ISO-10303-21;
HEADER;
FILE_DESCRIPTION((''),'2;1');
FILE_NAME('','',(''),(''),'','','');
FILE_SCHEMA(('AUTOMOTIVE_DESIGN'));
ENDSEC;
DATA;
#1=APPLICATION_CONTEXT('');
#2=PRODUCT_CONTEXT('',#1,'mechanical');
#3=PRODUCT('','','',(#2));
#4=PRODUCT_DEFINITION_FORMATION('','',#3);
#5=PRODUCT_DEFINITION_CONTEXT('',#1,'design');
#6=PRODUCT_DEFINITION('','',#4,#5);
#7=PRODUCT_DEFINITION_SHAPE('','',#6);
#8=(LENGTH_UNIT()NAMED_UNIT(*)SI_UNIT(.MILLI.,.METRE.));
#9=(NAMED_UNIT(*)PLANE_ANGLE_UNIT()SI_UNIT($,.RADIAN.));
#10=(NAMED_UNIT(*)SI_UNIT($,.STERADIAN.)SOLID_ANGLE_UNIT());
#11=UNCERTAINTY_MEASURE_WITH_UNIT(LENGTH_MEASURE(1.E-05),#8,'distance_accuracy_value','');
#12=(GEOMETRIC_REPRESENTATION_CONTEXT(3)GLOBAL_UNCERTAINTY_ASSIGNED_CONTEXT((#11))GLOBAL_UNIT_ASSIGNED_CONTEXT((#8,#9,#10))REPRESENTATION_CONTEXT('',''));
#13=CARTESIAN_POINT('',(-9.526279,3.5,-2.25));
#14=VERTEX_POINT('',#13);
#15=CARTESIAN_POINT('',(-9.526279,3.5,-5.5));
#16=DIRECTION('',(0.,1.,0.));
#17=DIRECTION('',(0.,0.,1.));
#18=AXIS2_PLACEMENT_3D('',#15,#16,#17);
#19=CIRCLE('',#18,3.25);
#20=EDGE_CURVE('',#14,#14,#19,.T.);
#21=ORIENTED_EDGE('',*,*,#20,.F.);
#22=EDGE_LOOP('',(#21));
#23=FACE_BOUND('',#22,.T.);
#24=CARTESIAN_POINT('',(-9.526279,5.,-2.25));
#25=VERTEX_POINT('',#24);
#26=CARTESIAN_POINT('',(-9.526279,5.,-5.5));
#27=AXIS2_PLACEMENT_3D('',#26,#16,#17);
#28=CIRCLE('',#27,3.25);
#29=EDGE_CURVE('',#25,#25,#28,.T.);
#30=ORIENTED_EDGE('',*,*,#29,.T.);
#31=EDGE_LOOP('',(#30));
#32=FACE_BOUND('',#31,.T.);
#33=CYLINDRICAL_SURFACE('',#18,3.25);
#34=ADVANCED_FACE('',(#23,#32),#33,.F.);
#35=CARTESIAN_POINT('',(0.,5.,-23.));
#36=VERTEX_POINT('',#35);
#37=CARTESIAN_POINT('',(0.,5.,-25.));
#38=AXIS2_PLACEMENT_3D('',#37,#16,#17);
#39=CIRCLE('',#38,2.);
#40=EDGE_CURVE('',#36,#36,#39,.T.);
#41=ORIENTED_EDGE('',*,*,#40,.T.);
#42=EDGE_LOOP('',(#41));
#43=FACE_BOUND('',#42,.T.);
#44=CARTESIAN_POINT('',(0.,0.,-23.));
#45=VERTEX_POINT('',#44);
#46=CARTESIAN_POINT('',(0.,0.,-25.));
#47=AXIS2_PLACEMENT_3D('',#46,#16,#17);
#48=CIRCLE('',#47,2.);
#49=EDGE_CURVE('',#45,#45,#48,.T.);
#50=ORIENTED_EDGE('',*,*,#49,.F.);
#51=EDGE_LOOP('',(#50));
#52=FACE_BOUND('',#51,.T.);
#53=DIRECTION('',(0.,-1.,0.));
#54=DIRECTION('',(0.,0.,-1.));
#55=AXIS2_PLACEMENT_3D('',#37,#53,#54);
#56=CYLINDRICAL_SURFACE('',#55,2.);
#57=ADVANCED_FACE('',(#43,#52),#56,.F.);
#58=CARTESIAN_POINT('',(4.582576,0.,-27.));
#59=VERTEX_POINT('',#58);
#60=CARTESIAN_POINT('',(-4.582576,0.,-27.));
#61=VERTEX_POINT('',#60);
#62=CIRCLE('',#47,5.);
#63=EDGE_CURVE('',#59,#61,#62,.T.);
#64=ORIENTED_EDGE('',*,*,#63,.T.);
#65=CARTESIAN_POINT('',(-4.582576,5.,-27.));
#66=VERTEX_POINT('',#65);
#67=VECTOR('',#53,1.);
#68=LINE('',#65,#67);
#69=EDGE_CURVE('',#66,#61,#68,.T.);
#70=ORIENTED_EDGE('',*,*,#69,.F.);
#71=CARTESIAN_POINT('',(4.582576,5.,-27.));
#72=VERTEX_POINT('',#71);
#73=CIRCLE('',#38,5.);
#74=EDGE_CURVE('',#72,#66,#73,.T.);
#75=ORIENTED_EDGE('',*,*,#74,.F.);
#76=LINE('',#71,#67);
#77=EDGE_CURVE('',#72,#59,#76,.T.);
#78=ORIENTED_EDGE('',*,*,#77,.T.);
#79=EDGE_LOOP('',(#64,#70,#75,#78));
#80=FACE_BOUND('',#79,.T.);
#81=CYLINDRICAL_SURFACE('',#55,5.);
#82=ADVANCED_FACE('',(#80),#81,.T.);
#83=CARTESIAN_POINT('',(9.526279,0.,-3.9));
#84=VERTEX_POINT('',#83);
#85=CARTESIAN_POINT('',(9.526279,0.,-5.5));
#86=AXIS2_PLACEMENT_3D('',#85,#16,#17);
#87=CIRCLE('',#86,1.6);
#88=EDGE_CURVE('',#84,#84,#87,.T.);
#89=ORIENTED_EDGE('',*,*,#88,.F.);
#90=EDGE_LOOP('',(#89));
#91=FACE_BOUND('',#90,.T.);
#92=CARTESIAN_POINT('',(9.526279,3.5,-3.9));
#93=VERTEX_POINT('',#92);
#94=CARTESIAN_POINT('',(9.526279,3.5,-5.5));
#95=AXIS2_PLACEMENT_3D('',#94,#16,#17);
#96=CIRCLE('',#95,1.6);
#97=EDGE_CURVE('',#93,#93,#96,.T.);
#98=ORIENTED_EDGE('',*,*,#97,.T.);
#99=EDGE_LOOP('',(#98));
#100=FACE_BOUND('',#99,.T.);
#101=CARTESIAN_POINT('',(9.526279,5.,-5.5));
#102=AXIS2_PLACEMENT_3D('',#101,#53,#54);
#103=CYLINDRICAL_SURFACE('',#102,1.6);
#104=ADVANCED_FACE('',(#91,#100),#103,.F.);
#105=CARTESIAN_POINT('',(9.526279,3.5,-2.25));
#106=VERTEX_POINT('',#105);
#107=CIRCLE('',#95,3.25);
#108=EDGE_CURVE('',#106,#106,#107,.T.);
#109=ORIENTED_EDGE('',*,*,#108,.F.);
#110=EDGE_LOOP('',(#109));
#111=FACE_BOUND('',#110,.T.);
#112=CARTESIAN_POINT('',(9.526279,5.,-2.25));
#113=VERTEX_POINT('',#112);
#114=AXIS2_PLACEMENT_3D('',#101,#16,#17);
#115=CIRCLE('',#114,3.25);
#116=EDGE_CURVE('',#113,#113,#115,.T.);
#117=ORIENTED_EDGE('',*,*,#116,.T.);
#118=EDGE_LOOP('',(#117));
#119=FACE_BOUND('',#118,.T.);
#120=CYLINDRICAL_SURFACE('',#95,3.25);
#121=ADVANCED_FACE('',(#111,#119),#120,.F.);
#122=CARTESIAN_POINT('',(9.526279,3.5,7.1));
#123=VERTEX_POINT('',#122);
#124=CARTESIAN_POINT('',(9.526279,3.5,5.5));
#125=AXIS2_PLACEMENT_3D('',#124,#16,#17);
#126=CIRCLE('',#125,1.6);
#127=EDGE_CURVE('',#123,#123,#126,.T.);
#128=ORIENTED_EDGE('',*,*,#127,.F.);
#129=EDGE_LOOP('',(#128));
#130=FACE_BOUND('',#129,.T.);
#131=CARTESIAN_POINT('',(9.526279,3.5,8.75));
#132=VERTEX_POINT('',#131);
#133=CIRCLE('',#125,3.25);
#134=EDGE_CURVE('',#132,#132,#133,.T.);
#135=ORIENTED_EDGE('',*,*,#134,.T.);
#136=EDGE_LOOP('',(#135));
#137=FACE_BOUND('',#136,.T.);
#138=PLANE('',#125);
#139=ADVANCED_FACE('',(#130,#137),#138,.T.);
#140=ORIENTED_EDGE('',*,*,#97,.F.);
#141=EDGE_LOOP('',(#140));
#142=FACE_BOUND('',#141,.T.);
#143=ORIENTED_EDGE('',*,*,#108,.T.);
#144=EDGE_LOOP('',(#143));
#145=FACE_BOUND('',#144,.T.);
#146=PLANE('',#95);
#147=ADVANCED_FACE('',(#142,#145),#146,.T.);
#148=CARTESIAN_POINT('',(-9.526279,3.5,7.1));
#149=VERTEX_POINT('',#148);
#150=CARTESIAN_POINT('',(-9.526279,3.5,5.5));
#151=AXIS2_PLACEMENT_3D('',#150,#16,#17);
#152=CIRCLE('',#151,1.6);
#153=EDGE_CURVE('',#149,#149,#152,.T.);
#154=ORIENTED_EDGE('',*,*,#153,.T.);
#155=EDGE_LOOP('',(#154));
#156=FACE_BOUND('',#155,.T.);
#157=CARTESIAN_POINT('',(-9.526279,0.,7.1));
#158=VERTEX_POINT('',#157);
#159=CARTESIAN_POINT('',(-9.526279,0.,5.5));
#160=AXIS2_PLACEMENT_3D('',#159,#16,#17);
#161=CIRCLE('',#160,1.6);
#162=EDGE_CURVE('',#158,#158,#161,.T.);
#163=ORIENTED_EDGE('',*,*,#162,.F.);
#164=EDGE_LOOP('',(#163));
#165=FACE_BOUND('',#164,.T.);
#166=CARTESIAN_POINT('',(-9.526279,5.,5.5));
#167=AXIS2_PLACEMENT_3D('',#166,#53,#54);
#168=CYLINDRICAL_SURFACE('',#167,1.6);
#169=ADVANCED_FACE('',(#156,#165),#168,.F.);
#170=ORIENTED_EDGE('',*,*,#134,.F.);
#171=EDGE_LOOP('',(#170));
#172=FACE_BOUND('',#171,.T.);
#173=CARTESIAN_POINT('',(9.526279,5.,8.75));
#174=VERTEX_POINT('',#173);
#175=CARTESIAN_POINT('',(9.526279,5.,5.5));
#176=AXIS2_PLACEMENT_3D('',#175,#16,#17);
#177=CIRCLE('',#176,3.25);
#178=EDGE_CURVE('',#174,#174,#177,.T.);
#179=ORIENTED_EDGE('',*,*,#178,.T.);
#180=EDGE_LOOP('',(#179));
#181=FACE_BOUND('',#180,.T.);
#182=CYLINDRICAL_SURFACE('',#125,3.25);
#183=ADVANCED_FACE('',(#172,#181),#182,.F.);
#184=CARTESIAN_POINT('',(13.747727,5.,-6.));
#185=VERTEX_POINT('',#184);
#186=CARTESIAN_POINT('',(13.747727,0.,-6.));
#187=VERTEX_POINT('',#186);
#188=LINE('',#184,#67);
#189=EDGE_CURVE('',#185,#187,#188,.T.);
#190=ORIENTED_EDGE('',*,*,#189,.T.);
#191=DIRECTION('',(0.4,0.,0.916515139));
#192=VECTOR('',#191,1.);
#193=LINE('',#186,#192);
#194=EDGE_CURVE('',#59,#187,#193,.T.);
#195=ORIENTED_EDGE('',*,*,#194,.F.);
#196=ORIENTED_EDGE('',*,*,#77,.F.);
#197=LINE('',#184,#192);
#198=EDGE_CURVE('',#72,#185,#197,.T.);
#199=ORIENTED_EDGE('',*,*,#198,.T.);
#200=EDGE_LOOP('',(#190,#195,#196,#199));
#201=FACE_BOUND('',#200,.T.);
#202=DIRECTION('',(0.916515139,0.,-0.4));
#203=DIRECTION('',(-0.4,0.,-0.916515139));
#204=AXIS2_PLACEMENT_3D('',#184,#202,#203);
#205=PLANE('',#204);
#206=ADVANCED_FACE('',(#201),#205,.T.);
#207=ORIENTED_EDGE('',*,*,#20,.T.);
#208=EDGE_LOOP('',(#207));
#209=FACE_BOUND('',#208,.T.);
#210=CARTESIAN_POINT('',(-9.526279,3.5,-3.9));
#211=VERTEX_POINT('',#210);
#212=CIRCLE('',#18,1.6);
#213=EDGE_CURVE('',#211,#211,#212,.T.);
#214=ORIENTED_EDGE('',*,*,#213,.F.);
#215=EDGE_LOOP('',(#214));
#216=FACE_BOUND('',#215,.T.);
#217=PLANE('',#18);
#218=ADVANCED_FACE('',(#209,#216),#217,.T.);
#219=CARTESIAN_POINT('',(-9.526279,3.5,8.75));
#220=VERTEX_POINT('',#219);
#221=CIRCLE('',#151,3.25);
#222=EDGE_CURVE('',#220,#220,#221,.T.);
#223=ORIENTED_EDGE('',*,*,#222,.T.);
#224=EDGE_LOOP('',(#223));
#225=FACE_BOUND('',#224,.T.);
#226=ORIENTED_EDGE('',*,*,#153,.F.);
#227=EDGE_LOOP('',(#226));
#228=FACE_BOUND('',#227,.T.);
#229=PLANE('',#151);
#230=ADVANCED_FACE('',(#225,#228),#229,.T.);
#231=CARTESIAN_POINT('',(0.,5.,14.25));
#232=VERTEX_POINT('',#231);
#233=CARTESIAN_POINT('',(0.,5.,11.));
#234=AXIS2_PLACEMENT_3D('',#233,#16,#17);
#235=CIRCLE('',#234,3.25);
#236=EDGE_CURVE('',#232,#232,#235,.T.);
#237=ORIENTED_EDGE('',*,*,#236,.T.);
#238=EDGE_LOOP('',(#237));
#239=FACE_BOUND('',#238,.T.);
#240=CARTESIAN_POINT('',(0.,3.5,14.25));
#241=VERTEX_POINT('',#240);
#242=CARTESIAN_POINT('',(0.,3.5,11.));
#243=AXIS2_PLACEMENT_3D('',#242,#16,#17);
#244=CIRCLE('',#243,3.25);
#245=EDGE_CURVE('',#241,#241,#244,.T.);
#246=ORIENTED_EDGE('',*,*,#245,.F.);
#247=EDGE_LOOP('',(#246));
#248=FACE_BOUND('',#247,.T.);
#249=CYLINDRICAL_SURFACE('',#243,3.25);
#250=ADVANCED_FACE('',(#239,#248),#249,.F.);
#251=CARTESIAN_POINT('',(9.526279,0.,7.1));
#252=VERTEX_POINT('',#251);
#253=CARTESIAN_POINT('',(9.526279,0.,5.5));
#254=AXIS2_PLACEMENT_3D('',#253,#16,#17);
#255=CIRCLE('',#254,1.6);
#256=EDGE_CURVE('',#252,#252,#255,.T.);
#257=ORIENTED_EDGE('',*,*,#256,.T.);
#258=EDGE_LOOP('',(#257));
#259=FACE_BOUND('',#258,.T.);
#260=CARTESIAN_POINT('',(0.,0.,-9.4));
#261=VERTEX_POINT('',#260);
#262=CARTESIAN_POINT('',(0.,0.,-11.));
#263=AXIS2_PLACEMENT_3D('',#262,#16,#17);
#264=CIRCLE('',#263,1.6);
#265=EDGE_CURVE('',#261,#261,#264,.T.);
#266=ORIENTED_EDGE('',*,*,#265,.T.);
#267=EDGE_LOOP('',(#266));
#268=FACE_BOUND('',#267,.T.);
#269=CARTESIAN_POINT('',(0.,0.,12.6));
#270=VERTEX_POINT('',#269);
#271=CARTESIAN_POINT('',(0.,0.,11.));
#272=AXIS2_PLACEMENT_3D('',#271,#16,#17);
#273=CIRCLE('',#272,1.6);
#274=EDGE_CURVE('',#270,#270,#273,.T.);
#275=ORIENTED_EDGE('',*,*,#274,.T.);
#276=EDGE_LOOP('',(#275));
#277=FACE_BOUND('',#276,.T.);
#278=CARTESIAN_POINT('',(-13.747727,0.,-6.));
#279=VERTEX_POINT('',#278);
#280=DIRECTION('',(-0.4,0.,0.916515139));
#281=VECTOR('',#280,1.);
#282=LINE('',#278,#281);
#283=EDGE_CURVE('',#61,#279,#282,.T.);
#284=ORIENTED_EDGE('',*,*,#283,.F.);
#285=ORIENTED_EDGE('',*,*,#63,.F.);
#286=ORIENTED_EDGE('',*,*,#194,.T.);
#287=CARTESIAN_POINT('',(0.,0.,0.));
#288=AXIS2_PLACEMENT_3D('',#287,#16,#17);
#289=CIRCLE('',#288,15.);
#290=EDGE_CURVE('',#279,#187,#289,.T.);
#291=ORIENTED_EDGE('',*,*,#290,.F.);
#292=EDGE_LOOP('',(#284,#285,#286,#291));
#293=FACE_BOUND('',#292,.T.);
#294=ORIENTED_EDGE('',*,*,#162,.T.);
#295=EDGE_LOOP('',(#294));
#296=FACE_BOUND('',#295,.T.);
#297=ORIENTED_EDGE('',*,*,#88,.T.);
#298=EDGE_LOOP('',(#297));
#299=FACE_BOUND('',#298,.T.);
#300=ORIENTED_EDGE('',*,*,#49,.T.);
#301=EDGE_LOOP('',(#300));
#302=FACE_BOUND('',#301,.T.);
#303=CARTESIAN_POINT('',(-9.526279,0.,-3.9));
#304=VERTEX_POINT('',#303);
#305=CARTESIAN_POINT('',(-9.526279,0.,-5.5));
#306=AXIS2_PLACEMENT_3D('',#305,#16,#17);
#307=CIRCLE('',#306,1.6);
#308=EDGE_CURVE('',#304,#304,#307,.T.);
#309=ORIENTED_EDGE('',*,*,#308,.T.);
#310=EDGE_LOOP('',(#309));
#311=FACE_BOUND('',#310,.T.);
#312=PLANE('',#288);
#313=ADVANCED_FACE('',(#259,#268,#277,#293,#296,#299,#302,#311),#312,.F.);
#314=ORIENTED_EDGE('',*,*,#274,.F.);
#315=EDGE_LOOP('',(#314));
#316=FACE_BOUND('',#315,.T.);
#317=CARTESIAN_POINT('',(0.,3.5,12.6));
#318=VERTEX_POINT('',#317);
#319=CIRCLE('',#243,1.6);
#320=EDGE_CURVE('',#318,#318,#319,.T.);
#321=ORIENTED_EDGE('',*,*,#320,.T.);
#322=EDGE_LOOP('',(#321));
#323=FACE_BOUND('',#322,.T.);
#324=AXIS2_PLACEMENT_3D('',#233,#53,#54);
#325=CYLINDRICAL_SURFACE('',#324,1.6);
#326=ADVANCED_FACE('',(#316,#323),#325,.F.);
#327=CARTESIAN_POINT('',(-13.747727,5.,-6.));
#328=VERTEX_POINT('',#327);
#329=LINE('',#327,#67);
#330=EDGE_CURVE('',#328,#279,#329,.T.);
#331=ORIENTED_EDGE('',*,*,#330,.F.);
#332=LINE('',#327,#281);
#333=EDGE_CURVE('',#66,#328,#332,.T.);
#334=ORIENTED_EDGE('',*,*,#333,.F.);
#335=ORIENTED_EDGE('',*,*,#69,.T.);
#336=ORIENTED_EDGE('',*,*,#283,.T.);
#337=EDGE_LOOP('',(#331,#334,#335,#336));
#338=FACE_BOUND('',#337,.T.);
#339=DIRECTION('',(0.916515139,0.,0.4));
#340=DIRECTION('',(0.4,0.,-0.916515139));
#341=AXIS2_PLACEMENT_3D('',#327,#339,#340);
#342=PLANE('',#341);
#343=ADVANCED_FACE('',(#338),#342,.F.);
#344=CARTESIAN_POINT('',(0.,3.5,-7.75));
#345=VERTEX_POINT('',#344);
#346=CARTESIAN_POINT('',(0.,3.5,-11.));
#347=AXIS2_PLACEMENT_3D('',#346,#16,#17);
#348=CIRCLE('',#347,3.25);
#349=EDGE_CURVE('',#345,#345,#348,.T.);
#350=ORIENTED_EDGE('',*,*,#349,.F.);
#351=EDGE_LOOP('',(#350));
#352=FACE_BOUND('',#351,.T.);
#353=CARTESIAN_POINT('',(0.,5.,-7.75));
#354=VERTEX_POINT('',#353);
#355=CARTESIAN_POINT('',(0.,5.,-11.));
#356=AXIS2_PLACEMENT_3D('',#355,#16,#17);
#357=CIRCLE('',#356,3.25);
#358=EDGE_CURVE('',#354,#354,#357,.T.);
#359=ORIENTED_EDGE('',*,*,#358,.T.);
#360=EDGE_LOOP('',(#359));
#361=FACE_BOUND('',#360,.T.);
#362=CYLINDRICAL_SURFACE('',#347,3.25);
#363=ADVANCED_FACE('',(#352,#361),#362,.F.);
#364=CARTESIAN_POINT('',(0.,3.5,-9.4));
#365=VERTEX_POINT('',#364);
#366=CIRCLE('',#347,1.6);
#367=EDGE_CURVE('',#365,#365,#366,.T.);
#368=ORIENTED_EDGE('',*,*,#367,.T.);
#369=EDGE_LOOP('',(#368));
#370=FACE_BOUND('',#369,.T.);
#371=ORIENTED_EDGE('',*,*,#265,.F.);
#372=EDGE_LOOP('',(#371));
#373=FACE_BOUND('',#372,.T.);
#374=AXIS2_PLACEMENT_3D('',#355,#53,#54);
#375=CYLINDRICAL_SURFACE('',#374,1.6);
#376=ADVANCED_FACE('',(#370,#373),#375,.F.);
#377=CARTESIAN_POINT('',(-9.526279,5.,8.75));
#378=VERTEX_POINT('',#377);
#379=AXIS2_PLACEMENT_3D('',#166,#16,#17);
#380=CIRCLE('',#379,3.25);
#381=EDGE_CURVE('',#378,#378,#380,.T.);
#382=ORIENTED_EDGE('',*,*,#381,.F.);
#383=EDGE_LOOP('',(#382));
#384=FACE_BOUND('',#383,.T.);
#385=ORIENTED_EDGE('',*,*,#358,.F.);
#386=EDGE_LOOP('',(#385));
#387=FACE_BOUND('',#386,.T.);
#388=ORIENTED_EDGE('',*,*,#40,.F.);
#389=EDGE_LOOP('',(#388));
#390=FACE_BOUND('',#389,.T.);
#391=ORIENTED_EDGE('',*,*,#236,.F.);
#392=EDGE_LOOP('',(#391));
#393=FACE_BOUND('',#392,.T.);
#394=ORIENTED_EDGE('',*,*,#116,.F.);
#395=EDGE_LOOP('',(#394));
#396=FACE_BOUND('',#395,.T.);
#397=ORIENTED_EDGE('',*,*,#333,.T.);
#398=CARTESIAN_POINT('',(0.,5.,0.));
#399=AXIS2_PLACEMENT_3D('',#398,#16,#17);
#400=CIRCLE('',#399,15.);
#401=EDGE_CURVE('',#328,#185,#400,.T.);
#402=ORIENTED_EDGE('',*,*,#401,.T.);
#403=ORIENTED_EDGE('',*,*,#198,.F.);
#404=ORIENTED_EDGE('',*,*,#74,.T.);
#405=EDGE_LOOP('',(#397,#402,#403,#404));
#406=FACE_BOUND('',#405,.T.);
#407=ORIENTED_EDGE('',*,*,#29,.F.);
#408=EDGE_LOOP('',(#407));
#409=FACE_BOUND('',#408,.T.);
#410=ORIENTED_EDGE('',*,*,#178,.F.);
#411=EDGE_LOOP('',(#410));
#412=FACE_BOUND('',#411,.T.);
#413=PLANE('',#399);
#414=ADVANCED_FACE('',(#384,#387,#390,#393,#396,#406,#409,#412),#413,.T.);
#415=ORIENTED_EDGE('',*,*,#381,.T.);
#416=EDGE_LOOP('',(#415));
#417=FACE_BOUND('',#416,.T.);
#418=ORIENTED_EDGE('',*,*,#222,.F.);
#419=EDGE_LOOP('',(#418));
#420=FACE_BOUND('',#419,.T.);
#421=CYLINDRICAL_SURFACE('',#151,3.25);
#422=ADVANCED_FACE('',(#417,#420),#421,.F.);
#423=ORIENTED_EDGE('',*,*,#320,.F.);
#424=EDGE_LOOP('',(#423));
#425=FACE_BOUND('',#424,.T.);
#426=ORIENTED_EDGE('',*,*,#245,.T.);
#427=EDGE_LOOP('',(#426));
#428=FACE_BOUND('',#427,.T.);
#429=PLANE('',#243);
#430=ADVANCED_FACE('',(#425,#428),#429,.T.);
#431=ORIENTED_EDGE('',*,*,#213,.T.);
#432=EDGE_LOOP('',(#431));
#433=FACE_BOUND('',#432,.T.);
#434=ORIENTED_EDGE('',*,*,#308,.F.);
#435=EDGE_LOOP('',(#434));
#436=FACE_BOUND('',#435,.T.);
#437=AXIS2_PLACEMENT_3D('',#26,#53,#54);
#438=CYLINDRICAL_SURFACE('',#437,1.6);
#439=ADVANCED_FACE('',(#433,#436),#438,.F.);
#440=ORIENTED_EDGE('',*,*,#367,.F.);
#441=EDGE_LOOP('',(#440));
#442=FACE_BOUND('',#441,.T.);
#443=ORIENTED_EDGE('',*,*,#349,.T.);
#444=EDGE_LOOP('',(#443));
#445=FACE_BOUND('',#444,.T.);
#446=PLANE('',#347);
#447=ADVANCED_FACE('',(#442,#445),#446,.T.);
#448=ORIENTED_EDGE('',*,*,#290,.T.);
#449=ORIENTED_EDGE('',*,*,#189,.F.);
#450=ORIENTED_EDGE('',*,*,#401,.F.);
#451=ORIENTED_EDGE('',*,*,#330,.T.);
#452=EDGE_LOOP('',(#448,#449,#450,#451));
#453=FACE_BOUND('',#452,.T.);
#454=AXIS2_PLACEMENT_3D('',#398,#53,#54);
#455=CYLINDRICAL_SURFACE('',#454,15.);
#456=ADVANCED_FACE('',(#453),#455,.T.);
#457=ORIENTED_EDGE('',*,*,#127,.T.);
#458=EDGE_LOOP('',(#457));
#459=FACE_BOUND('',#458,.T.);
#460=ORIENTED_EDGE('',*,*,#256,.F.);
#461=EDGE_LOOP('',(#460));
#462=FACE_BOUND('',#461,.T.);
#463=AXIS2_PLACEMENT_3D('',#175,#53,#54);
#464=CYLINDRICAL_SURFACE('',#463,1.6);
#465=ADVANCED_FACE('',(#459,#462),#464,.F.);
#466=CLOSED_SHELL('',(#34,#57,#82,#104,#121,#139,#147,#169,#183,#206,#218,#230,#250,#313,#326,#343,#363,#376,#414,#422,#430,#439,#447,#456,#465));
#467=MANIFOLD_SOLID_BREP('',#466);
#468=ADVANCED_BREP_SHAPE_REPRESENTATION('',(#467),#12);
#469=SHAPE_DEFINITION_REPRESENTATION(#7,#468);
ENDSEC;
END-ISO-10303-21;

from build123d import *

# Parameters (mm, degrees)
SKETCH4_R           = 2
SKETCH4_R_2         = 1.6
BOSS_EXTRUDE1_DEPTH = 5
SKETCH6_R           = 3.25
CUT_EXTRUDE1_DEPTH  = 1.5


with BuildPart() as part:
    # Sketch4 → Boss-Extrude1 (new body)
    with BuildSketch(Plane(origin=(0, 0, 0), x_dir=(1, 0, 0), z_dir=(0, 1, 0))):
        with BuildLine():
            Line((13.747727085, 6), (4.582575695, 27))
            ThreePointArc((4.582575695, 27), (0, 30), (-4.582575695, 27))
            Line((-4.582575695, 27), (-13.747727085, 6))
            ThreePointArc((-13.747727085, 6), (0, -15), (13.747727085, 6))
        make_face()
        with Locations((0, 25)):
            Circle(SKETCH4_R, mode=Mode.SUBTRACT)
        with Locations((0, 11)):
            Circle(SKETCH4_R_2, mode=Mode.SUBTRACT)
        with Locations((-9.526279442, -5.5)):
            Circle(SKETCH4_R_2, mode=Mode.SUBTRACT)
        with Locations((-9.526279442, 5.5)):
            Circle(SKETCH4_R_2, mode=Mode.SUBTRACT)
        with Locations((0, -11)):
            Circle(SKETCH4_R_2, mode=Mode.SUBTRACT)
        with Locations((9.526279442, -5.5)):
            Circle(SKETCH4_R_2, mode=Mode.SUBTRACT)
        with Locations((9.526279442, 5.5)):
            Circle(SKETCH4_R_2, mode=Mode.SUBTRACT)
    extrude(amount=BOSS_EXTRUDE1_DEPTH)

    # Sketch6 → Cut-Extrude1 (cut)
    with BuildSketch(Plane(origin=(0, 5, 0), x_dir=(1, 0, 0), z_dir=(0, 1, 0))):
        with Locations((0, 11)):
            Circle(SKETCH6_R)
        with Locations((9.526279442, 5.5)):
            Circle(SKETCH6_R)
        with Locations((9.526279442, -5.5)):
            Circle(SKETCH6_R)
        with Locations((0, -11)):
            Circle(SKETCH6_R)
        with Locations((-9.526279442, -5.5)):
            Circle(SKETCH6_R)
        with Locations((-9.526279442, 5.5)):
            Circle(SKETCH6_R)
    extrude(amount=-CUT_EXTRUDE1_DEPTH, mode=Mode.SUBTRACT)


solid = part.part
